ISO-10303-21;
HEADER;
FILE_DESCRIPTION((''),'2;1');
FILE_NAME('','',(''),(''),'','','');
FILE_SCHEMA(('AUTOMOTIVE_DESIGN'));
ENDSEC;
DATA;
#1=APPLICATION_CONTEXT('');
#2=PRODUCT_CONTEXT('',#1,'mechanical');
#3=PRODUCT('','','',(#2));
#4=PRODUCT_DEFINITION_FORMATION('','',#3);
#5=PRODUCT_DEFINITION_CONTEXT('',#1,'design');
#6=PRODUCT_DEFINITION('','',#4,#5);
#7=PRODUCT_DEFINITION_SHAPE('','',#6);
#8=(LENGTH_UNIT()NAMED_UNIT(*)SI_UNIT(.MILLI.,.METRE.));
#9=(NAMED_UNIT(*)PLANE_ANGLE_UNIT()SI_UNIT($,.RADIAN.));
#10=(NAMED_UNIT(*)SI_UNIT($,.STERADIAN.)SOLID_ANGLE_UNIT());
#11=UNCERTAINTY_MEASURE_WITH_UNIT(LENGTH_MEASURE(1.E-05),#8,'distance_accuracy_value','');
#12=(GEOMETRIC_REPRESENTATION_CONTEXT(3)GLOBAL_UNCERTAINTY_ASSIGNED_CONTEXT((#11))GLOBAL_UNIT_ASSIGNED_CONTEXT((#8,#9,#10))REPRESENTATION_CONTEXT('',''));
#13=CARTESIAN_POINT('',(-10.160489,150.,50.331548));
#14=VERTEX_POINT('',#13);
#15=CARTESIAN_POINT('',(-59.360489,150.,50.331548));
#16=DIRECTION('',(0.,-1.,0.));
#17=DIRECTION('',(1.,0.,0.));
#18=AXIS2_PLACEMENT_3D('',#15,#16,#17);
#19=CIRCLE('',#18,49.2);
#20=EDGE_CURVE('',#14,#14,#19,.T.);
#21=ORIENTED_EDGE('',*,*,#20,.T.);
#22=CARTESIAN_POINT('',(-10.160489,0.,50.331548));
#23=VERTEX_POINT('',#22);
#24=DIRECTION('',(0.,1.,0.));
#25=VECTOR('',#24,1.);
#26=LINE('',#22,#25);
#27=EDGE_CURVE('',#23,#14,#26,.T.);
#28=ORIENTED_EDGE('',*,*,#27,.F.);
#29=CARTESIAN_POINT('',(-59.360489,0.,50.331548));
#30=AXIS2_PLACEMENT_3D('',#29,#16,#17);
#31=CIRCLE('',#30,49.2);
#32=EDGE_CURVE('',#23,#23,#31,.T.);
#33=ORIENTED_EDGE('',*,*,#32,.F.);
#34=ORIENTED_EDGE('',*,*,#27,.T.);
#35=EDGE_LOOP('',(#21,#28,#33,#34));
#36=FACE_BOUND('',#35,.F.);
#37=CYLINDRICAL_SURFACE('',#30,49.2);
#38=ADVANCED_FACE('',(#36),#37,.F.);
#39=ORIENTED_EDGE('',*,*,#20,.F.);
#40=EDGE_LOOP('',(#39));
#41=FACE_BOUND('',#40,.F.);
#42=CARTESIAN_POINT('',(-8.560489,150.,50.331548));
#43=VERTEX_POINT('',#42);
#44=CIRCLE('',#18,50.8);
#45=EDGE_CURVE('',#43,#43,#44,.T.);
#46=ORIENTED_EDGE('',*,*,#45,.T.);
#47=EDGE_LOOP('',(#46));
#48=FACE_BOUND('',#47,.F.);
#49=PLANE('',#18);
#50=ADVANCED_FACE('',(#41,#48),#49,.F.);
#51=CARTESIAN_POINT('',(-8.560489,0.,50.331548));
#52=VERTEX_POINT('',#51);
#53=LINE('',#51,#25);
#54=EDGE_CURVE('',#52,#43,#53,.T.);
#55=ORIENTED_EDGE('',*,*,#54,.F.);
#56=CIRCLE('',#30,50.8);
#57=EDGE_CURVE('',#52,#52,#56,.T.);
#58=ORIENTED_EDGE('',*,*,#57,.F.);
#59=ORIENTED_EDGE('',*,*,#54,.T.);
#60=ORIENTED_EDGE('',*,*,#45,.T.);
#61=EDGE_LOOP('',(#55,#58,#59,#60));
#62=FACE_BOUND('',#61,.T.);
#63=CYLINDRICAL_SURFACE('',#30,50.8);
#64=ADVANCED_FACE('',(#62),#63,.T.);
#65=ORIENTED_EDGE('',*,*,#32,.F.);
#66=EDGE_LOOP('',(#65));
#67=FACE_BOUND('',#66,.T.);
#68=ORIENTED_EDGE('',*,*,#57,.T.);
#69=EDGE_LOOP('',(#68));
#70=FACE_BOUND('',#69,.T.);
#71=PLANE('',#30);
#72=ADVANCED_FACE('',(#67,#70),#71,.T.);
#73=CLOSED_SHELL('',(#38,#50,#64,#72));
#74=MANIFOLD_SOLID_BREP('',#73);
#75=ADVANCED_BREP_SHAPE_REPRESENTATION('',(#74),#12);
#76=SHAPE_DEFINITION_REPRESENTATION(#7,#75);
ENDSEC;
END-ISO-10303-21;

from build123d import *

# Parameters (mm, degrees)
F0_R     = 50.8
F0_R_2   = 49.2
F1_DEPTH = 150


with BuildPart() as f1:
    # F0 (on Front) → F1 (new body)
    with BuildSketch(Plane.XZ):
        with Locations((-59.360489, 50.331548)):
            Circle(F0_R)
        with Locations((-59.360489, 50.331548)):
            Circle(F0_R_2, mode=Mode.SUBTRACT)
    extrude(amount=-F1_DEPTH)


solid = f1.part
